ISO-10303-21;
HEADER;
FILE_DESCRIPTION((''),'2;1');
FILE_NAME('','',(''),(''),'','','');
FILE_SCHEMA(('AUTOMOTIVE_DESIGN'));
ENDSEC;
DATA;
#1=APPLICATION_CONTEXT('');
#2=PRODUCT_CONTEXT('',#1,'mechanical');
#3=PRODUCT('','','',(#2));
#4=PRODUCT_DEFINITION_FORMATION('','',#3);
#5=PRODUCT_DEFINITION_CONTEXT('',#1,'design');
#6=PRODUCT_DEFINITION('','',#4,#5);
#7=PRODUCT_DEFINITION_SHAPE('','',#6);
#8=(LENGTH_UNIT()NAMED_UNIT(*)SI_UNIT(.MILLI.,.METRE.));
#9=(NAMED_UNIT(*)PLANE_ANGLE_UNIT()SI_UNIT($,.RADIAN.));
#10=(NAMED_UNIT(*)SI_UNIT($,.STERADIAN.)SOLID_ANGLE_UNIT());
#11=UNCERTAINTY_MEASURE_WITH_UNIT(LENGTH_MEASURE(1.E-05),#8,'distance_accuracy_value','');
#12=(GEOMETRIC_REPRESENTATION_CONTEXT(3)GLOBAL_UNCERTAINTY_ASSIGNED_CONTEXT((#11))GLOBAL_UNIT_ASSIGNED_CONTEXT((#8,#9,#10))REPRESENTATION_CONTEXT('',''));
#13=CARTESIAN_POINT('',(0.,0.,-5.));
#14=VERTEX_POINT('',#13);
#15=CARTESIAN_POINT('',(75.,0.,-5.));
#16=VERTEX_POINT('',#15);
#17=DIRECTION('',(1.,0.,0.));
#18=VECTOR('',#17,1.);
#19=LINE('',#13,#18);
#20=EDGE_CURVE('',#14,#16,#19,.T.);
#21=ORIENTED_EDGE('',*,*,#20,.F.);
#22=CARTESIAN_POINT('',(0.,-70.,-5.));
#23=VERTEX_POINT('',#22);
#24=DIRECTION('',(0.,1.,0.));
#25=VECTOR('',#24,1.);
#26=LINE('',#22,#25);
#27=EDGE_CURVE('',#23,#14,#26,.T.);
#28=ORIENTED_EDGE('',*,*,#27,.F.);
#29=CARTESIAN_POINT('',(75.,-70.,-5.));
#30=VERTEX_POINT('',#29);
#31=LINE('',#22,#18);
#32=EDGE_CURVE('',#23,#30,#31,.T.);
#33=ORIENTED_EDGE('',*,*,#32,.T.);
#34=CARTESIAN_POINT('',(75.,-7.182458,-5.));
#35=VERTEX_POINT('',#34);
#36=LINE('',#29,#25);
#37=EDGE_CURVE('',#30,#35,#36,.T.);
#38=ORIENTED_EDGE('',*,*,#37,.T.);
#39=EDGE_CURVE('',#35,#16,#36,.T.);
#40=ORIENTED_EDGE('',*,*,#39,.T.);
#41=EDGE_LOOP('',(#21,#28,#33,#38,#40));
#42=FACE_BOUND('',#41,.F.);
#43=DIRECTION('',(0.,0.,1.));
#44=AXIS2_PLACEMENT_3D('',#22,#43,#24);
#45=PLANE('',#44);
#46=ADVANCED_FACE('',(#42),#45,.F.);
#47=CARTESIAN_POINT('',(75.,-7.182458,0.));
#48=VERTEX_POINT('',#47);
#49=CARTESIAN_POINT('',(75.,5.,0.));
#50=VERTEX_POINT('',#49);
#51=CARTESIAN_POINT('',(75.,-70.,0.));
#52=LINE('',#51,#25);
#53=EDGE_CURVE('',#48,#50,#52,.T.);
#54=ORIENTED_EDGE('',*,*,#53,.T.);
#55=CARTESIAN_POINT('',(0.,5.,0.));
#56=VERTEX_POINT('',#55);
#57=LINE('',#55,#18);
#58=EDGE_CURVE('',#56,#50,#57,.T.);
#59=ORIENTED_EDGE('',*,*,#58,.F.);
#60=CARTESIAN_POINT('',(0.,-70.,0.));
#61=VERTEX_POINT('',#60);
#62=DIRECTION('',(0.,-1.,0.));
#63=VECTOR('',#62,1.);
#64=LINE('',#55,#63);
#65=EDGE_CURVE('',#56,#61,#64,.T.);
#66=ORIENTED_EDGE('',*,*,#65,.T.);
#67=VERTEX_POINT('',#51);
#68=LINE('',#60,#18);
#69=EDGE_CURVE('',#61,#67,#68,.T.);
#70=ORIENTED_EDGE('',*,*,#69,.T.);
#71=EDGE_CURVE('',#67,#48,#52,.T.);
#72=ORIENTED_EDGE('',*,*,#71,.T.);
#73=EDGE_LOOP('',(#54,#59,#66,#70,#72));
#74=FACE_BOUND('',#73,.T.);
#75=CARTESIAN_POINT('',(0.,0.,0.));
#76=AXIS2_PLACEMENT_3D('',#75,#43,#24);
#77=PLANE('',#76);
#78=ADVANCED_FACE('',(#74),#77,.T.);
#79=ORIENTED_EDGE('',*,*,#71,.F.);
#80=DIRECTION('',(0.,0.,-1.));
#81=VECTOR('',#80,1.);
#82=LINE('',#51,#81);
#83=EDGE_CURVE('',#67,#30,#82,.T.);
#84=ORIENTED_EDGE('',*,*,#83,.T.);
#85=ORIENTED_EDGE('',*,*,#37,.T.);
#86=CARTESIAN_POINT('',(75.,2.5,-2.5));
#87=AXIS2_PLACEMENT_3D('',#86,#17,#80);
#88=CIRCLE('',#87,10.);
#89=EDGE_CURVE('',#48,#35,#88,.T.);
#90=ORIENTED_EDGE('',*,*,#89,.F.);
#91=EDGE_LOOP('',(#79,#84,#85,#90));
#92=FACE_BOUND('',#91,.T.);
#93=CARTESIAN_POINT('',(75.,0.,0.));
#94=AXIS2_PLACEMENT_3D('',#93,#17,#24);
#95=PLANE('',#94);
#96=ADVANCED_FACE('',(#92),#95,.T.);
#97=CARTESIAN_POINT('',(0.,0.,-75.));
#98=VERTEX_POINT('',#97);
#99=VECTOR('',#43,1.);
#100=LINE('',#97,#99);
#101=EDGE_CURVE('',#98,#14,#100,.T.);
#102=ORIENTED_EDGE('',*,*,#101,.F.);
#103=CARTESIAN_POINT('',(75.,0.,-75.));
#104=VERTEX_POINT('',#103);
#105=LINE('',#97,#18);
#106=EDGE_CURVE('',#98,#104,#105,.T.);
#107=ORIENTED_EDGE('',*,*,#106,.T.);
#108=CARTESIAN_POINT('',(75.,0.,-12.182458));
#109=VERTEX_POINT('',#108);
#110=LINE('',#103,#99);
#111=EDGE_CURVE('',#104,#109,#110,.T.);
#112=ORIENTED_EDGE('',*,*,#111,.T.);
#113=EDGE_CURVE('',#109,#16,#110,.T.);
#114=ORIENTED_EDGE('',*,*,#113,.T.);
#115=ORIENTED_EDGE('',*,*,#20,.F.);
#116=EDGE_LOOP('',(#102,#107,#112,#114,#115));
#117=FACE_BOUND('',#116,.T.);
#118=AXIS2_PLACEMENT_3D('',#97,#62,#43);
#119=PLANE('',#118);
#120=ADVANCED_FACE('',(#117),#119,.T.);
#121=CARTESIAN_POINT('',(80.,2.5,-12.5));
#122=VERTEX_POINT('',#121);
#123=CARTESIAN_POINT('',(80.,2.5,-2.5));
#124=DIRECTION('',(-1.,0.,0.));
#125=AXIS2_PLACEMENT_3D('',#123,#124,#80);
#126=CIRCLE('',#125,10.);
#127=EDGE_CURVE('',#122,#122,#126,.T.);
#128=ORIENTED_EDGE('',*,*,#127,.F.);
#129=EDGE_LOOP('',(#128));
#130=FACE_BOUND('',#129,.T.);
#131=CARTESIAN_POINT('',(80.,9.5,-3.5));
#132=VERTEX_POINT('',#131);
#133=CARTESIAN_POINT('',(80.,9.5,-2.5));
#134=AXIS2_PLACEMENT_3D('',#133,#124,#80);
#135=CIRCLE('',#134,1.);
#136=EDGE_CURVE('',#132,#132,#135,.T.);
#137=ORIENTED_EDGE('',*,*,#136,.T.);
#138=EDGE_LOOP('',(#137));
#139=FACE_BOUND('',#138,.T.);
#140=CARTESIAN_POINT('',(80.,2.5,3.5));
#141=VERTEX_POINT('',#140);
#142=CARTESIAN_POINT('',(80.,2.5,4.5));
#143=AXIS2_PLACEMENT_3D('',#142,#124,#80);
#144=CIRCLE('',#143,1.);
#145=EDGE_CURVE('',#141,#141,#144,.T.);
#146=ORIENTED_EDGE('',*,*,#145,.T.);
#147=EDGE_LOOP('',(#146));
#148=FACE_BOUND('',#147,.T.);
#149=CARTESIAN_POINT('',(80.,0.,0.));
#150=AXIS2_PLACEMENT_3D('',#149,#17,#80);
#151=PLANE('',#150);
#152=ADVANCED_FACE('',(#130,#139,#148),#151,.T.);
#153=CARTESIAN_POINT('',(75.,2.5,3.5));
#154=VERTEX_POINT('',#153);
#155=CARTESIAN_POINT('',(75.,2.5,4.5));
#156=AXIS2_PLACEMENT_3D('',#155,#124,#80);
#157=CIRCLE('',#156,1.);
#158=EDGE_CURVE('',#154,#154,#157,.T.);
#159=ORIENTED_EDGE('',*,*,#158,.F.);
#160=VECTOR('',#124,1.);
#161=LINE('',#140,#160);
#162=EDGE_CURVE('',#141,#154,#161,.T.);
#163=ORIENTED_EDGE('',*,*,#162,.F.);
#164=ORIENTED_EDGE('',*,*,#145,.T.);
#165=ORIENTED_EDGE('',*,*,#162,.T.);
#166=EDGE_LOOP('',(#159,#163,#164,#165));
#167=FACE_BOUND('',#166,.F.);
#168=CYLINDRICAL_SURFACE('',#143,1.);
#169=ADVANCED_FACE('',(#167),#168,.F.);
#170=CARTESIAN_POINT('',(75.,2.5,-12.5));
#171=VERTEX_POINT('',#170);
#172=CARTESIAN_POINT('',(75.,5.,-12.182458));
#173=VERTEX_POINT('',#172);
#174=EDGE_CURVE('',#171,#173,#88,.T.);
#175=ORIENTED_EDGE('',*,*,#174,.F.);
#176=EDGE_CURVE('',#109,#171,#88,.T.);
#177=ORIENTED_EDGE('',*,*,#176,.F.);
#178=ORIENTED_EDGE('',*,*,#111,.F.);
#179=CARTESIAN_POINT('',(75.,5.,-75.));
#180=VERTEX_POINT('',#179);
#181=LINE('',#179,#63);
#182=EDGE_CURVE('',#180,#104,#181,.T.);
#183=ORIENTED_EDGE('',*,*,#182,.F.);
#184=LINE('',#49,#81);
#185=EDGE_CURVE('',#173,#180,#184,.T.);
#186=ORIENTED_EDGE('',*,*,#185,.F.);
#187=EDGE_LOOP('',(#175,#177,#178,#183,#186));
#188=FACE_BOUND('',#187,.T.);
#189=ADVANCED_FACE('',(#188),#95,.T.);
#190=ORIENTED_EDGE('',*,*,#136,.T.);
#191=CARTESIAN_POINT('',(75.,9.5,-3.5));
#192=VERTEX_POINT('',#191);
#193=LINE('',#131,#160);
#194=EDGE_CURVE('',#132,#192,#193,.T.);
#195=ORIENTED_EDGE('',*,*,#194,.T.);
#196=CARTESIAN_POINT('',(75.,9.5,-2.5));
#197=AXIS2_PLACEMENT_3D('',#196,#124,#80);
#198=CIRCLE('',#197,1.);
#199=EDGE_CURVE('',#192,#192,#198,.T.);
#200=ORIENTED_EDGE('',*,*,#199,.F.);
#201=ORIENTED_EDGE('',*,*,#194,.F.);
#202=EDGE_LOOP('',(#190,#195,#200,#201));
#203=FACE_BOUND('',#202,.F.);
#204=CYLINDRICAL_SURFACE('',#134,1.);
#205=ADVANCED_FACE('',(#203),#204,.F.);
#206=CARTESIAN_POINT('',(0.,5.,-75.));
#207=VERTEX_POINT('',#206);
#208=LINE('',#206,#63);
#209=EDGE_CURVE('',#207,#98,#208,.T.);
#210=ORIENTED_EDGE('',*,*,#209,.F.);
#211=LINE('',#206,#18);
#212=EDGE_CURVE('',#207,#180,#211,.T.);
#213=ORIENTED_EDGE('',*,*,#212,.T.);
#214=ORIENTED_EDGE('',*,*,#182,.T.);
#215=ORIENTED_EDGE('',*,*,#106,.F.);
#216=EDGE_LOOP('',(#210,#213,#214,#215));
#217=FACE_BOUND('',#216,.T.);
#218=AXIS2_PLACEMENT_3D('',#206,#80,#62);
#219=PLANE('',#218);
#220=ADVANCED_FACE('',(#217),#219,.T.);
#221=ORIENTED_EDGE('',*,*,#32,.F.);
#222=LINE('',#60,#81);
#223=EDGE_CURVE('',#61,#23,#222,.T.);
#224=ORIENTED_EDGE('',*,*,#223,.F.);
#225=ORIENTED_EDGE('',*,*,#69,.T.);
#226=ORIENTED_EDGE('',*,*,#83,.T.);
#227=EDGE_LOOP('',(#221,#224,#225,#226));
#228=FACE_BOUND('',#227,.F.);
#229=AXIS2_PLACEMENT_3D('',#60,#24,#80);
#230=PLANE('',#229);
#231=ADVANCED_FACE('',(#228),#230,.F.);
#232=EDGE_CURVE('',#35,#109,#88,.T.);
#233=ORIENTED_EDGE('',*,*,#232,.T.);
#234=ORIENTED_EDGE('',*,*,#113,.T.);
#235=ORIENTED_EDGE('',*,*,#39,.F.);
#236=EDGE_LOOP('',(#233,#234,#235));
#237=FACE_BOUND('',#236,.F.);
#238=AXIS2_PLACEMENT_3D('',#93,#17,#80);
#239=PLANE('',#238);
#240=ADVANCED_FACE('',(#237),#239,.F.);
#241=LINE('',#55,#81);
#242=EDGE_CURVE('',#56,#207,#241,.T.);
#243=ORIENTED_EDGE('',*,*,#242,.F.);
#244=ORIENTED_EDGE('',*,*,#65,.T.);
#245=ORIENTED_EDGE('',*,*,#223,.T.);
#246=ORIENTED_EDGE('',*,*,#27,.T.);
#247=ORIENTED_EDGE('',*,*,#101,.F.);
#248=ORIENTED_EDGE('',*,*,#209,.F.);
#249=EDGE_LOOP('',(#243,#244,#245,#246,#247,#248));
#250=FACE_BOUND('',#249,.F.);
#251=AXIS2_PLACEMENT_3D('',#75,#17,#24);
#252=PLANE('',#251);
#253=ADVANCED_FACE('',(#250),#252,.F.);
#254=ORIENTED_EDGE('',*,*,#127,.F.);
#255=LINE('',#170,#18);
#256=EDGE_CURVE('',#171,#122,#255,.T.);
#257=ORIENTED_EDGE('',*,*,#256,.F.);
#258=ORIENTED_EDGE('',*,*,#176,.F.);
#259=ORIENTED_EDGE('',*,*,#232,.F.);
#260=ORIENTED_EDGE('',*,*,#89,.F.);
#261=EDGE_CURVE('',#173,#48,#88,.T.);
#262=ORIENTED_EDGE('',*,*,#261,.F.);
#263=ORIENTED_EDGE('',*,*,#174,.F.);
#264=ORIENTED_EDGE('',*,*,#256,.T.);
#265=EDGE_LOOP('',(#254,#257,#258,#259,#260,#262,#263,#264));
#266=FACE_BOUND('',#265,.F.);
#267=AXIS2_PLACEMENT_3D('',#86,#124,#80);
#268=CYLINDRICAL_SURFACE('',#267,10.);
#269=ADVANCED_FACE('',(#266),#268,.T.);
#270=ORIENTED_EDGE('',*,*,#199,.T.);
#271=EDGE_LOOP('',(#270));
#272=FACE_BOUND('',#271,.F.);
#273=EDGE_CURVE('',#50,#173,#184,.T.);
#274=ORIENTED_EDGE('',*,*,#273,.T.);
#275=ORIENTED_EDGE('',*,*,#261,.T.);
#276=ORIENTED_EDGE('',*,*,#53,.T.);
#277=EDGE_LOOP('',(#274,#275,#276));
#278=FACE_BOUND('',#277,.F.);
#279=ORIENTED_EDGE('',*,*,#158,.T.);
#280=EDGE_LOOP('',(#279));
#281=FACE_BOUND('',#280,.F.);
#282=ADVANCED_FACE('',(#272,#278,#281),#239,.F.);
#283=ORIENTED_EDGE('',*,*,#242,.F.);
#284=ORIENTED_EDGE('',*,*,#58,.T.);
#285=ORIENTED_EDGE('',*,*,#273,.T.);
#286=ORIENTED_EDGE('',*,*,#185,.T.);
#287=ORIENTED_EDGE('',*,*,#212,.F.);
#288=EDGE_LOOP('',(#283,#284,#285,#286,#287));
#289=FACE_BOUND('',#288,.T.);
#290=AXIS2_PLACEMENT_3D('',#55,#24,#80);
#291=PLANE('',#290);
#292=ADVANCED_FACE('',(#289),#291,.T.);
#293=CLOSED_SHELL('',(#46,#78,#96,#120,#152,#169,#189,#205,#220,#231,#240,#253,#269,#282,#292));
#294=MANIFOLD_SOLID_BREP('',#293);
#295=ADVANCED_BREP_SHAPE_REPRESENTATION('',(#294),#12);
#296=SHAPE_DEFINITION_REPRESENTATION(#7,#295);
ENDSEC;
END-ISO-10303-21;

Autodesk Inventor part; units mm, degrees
ref_plane "YZ Plane" through (0, 0, 0) normal (1, 0, 0) x (0, 1, 0)
ref_plane "XZ Plane" through (0, 0, 0) normal (0, 1, 0) x (-1, 0, 0)
ref_plane "XY Plane" through (0, 0, 0) normal (0, 0, 1) x (1, 0, 0)
sketch "スケッチ2" plane through (0, 0, 0) normal (1, 0, 0) x (0, 1, 0)
  line L0 (0, 0) -> (5, 0)
  line L1 (5, 0) -> (5, -75)
  line L2 (5, -75) -> (0, -75)
  line L3 (0, -75) -> (0, 0)
  line L4 (0, 0) -> (-70, 0)
  line L5 (-70, 0) -> (-70, -5)
  line L6 (-70, -5) -> (0, -5)
  line L7 (0, -5) -> (0, 0)
  point P0 (-70, -2.5)
  point P1 (0, -5)
  dimension "d0" = 75
  dimension "d1" = 75
  dimension "d2" = 5
  dimension "d3" = 5
extrude "押し出し1" add sketch "スケッチ2" along normal blind 75
sketch "スケッチ4" plane through (75, 0, 0) normal (1, 0, 0) x (0, 0, -1)
  line L0 (0, 0) -> (13, 0)
  line L1 (0, 0) -> (5, 0)
  line L2 (75, 5) -> (0, 5) projected
  line L3 (0, 5) -> (0, -70) projected
  circle A0 centre (2.5, 2.5) radius 10
  dimension "d32" = 2.5
  dimension "d33" = 2.5
  dimension "d34" = 20
extrude "押し出し2" add sketch "スケッチ4" along normal blind 5
sketch "スケッチ7" plane through (80, 2.5, -2.5) normal (1, 0, 0) x (0, 0, -1)
  point P0 (-2.5, -2.5)
  point P1 (0, 7)
  point P2 (-7, 0)
  point P3 (0, 0)
  dimension "d35" = 7
  dimension "d36" = 7
hole "穴2" at (80, 9.5, -2.5) at (80, 2.5, 4.5) direction (-1, 0, 0) diameter 2 depth 8.1 tip angle 118
properties part number "排出機構"
